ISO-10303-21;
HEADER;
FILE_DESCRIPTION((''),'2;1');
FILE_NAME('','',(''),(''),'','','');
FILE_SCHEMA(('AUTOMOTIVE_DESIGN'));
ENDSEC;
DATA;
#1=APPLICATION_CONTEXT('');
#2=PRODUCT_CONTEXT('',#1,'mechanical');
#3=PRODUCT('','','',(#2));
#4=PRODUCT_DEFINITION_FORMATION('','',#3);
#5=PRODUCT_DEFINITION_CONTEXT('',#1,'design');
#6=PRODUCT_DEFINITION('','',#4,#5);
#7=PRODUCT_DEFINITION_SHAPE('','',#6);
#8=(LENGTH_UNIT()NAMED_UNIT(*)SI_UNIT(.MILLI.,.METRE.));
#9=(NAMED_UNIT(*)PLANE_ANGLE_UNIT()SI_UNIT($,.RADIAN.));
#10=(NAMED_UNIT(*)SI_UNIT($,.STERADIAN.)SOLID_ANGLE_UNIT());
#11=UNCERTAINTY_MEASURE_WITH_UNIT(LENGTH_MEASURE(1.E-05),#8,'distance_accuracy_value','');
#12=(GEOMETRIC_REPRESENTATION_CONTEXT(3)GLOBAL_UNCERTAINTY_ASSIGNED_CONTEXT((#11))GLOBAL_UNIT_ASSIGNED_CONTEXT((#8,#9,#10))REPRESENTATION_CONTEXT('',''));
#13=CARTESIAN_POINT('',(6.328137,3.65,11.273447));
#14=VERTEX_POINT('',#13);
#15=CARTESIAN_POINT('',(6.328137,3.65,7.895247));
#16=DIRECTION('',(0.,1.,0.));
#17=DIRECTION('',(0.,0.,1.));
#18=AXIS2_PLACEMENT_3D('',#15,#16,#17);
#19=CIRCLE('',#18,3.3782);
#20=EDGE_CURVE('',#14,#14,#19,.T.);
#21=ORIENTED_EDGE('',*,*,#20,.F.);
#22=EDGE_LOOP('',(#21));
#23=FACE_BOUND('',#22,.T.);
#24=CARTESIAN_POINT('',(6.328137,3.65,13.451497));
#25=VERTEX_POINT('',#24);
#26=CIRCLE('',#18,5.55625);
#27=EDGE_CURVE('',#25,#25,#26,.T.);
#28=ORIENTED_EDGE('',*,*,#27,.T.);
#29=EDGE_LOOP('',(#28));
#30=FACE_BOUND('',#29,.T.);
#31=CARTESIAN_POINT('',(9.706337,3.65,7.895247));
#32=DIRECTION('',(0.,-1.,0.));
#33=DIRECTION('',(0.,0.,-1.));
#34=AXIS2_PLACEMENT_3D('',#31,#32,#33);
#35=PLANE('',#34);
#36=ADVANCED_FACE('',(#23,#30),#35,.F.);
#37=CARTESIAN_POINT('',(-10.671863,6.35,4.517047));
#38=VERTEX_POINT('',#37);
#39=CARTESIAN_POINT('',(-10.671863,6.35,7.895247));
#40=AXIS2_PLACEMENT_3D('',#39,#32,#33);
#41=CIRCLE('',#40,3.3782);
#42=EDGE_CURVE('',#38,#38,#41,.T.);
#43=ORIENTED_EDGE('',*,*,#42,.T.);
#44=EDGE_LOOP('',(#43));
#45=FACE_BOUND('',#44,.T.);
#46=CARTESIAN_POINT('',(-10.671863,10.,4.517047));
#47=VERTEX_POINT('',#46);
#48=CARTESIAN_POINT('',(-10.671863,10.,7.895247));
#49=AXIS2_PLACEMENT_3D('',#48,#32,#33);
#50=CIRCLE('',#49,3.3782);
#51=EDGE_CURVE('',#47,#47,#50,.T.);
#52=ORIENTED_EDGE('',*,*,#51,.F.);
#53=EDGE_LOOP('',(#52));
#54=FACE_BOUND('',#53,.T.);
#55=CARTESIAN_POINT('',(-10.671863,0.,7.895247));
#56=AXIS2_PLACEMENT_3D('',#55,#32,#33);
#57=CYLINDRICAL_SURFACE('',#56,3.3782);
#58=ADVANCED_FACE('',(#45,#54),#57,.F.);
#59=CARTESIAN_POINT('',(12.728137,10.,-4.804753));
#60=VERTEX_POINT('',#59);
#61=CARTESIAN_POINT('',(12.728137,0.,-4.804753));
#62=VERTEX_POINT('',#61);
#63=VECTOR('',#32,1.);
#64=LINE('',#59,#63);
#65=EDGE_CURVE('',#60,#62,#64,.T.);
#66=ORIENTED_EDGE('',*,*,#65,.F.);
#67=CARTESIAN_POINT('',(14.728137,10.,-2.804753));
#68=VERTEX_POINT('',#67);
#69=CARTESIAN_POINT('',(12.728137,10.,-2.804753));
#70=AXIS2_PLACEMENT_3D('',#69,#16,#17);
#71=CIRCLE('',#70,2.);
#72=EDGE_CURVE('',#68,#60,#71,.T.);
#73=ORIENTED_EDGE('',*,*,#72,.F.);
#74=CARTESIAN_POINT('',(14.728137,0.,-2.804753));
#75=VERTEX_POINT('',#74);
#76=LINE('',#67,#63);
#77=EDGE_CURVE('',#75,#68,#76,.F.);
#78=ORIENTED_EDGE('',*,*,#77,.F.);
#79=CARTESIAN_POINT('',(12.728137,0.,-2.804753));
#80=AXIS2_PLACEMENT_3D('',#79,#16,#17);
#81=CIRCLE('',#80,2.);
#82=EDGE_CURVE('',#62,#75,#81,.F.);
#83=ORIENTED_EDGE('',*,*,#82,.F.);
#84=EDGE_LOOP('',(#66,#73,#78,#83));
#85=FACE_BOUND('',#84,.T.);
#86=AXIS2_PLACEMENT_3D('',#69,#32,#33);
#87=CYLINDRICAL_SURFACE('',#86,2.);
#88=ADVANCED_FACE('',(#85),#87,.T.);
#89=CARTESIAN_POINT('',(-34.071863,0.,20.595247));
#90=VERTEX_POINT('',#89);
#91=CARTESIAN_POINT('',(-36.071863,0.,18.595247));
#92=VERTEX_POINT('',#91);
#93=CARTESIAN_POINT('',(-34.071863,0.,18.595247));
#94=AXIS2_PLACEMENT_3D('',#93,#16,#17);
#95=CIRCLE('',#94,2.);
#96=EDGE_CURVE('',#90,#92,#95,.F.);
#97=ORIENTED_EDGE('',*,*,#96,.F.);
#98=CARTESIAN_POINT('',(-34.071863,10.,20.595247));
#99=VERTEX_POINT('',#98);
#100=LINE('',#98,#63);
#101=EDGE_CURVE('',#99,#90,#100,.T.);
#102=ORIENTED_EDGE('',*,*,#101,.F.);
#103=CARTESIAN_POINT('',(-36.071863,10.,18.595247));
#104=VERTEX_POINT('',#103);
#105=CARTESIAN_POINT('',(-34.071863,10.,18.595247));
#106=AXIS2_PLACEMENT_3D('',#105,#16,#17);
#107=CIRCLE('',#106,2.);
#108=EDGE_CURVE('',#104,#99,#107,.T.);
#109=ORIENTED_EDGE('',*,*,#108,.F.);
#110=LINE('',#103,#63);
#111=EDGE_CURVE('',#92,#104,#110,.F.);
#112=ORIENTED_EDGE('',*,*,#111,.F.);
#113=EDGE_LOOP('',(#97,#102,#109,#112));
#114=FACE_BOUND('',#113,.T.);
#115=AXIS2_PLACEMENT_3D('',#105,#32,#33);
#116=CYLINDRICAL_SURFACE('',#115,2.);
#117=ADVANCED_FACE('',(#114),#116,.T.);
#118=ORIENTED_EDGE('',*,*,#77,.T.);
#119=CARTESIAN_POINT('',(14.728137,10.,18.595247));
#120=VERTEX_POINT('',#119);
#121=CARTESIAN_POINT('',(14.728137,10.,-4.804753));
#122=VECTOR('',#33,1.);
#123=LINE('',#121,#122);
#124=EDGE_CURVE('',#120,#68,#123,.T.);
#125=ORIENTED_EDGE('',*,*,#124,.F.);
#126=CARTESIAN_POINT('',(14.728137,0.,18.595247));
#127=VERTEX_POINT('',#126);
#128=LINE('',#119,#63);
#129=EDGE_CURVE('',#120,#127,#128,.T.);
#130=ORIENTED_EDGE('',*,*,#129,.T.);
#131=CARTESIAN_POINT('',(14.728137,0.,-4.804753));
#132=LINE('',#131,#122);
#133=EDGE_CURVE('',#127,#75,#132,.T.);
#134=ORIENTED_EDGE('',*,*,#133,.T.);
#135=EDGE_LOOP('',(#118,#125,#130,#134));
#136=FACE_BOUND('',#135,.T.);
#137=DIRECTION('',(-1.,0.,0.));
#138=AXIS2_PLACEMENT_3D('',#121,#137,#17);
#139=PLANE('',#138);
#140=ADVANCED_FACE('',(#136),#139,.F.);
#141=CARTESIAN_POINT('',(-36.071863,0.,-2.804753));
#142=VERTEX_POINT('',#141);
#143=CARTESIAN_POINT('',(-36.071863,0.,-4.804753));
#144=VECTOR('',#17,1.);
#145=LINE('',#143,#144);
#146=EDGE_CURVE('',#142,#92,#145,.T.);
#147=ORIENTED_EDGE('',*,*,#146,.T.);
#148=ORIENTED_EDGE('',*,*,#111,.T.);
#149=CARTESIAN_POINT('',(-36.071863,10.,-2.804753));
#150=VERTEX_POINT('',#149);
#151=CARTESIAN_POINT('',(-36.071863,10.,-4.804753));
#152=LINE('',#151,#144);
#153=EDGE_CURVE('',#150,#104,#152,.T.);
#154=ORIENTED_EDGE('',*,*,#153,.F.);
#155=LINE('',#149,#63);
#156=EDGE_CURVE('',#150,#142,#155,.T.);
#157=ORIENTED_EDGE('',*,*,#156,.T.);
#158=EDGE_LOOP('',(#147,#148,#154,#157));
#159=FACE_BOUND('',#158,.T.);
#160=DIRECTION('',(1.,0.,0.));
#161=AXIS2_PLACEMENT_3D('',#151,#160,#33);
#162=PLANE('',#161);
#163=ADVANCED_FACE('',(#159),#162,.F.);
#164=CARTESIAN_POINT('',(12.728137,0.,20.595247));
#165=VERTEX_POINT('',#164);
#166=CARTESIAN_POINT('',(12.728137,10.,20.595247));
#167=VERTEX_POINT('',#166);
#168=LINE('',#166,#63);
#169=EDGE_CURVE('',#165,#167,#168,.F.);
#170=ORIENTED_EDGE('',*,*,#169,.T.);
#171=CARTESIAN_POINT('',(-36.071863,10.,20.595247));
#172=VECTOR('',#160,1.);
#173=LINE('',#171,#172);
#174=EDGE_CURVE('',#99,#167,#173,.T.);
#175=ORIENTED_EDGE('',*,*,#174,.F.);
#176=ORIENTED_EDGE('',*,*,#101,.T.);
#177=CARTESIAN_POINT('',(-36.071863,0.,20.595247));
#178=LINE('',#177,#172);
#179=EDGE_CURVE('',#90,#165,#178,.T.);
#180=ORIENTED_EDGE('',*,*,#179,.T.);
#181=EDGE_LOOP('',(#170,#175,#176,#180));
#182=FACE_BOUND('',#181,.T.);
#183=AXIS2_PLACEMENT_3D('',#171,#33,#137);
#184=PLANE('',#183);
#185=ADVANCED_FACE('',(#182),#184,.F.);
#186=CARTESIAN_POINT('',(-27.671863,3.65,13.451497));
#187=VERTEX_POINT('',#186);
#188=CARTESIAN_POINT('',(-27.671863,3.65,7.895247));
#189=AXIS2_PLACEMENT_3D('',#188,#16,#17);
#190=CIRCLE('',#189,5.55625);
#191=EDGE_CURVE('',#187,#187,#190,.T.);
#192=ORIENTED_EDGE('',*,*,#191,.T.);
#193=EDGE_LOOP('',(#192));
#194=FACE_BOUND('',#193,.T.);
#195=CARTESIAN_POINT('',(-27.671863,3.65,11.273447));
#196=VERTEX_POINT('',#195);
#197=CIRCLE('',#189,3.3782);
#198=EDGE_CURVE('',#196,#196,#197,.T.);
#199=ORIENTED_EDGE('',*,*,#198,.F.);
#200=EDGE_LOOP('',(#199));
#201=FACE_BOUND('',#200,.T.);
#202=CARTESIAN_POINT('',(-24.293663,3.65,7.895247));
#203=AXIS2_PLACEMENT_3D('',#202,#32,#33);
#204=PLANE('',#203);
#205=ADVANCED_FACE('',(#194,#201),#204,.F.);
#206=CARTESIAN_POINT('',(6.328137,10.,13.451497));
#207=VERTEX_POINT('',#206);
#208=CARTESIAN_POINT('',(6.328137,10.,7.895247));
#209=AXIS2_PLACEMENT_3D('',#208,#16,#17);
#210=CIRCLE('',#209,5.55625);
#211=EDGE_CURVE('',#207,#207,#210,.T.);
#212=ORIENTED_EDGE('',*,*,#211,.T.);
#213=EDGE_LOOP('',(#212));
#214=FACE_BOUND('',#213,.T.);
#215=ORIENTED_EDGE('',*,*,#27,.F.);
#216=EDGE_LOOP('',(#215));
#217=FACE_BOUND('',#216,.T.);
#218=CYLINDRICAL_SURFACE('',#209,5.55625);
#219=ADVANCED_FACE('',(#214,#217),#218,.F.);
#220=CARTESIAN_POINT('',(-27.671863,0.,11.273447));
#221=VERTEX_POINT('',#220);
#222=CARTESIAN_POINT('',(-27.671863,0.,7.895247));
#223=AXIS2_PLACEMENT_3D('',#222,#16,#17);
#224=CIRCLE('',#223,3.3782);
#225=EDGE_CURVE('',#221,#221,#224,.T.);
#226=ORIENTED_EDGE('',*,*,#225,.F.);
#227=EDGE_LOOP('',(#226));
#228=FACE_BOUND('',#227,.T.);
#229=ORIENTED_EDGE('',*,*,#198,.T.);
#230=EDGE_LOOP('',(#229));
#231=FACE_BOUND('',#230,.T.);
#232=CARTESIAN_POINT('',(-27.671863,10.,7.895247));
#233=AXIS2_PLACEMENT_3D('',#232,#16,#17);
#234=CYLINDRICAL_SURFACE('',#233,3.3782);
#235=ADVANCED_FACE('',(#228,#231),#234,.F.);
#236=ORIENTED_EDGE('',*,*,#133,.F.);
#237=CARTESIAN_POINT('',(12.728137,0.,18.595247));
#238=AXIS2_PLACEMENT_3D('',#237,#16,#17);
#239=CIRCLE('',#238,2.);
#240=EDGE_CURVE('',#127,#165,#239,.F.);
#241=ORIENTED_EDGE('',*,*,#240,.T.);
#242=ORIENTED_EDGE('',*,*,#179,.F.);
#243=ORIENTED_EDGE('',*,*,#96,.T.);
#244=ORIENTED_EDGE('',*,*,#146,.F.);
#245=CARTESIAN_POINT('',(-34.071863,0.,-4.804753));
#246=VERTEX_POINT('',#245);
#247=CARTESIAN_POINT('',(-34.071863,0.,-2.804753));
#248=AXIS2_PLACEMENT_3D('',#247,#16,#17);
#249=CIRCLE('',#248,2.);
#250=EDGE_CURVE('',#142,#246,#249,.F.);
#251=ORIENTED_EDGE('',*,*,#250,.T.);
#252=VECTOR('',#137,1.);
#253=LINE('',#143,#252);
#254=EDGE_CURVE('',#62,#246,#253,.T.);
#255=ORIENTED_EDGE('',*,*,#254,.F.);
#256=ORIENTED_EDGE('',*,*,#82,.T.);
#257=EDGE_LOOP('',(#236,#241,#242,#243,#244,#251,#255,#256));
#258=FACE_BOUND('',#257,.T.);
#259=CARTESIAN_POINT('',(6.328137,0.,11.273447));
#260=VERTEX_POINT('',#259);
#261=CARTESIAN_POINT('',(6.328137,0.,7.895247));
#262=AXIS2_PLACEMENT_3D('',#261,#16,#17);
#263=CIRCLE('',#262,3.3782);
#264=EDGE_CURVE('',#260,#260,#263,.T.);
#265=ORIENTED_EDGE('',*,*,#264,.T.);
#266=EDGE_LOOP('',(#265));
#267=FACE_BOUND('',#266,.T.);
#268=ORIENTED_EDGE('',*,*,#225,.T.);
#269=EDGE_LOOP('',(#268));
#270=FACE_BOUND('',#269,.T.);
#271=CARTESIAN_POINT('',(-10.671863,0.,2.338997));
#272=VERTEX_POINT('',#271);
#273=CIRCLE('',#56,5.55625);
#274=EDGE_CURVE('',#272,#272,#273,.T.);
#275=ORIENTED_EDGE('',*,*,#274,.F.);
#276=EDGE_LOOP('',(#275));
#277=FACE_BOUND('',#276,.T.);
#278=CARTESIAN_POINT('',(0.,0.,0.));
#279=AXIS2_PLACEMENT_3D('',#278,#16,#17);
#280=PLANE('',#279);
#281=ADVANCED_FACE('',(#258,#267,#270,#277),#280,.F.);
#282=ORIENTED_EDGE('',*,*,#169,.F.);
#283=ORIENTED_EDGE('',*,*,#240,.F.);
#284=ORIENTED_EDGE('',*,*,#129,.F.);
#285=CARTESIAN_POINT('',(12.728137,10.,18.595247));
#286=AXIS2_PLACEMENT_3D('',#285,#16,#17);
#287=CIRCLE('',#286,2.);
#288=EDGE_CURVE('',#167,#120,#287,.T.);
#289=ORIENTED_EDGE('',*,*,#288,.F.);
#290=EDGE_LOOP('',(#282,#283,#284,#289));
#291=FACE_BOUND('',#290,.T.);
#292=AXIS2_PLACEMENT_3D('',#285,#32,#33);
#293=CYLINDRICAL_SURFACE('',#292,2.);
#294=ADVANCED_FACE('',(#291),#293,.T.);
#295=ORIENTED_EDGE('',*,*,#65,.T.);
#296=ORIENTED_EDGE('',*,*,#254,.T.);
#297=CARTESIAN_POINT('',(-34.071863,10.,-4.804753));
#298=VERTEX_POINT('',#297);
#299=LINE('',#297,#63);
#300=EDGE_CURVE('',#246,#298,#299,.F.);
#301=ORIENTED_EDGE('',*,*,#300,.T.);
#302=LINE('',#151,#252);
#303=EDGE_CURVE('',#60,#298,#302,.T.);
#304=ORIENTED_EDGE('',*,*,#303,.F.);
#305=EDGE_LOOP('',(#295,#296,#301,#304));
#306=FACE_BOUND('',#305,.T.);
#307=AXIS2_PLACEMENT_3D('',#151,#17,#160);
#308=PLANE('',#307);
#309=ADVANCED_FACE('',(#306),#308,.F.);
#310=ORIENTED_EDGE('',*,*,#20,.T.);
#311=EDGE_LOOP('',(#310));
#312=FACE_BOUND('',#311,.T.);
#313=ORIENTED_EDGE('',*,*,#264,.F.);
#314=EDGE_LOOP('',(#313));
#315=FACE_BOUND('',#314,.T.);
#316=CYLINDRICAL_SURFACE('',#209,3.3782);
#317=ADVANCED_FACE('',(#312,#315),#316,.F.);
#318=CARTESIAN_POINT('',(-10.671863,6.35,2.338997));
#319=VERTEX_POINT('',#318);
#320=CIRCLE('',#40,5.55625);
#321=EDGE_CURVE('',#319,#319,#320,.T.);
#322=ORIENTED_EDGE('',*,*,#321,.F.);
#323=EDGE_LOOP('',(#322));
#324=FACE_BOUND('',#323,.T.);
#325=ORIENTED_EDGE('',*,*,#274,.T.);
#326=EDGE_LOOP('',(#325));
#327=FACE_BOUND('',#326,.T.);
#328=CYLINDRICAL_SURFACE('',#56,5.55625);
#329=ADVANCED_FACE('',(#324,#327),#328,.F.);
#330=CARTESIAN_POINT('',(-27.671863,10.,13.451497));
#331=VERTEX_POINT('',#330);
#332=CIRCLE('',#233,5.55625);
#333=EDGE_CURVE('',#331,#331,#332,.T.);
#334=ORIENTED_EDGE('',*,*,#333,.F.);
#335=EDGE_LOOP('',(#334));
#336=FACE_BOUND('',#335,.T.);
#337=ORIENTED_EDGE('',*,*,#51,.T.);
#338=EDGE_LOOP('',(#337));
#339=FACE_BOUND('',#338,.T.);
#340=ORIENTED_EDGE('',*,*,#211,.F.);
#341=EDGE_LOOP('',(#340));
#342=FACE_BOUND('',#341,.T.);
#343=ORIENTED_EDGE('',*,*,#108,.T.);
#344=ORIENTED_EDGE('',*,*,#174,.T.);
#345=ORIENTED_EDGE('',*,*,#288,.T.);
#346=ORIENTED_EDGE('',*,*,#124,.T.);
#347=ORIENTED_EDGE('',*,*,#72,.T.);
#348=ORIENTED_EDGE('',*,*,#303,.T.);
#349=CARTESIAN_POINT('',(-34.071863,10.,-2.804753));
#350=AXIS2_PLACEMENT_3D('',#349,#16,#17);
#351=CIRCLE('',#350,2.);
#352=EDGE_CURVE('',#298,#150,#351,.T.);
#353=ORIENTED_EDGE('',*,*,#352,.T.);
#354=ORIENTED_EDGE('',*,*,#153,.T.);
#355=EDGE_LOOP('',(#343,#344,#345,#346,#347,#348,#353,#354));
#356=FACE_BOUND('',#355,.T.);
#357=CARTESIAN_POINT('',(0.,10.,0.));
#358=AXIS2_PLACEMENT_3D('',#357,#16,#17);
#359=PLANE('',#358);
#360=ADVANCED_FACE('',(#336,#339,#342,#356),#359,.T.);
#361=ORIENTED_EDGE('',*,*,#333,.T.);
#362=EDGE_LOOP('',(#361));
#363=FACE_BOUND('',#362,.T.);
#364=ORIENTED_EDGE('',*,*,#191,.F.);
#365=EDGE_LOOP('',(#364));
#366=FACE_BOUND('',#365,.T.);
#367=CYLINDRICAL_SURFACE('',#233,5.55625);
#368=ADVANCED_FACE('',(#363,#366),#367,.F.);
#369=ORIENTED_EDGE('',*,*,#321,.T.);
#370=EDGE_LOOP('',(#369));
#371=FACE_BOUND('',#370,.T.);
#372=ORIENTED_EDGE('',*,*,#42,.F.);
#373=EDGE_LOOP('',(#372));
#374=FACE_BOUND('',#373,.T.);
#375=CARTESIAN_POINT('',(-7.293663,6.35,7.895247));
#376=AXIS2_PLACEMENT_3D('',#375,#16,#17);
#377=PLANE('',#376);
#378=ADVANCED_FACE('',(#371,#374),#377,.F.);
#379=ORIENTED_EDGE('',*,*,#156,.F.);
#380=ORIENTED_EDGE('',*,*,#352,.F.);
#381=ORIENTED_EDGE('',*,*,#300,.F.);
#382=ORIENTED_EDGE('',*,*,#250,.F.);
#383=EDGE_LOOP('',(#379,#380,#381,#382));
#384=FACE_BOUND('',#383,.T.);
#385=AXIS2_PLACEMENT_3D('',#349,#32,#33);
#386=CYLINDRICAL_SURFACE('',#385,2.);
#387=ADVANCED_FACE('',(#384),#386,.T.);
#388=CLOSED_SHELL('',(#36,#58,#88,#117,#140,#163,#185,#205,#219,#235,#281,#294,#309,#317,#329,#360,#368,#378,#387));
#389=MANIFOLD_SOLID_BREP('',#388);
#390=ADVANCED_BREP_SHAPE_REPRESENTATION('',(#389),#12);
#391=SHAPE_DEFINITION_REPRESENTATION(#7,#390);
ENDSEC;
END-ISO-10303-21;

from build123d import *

# Parameters (mm, degrees)
SKETCH1_W                                        = 50.8
SKETCH1_H                                        = 25.4
BOSS_EXTRUDE1_DEPTH                              = 10
CBORE_FOR_1_4_SOCKET_HEAD_CAP_SCREW2_D           = 6.7564
CBORE_FOR_1_4_SOCKET_HEAD_CAP_SCREW2_CBORE_D     = 11.1125
CBORE_FOR_1_4_SOCKET_HEAD_CAP_SCREW2_CBORE_DEPTH = 6.35
CBORE_FOR_1_4_SOCKET_HEAD_CAP_SCREW3_D           = 6.7564
CBORE_FOR_1_4_SOCKET_HEAD_CAP_SCREW3_CBORE_D     = 11.1125
CBORE_FOR_1_4_SOCKET_HEAD_CAP_SCREW3_CBORE_DEPTH = 6.35
FILLET2_R                                        = 2


with BuildPart() as part:
    # Sketch1 → Boss-Extrude1 (new body)
    with BuildSketch(Plane(origin=(0, 0, 0), x_dir=(1, 0, 0), z_dir=(0, 1, 0))):
        with Locations((-10.671863118, -7.895247148)):
            Rectangle(SKETCH1_W, SKETCH1_H)
    extrude(amount=BOSS_EXTRUDE1_DEPTH)

    # CBORE for 1/4 Socket Head Cap Screw2 (through all)
    with Locations(Plane(origin=(0, 10, 0), x_dir=(1, 0, 0), z_dir=(0, 1, 0))):
        with Locations((-27.671863118, -7.895247148), (6.328136882, -7.895247148)):
            CounterBoreHole(CBORE_FOR_1_4_SOCKET_HEAD_CAP_SCREW2_D / 2, CBORE_FOR_1_4_SOCKET_HEAD_CAP_SCREW2_CBORE_D / 2, CBORE_FOR_1_4_SOCKET_HEAD_CAP_SCREW2_CBORE_DEPTH)

    # CBORE for 1/4 Socket Head Cap Screw3 (through all)
    with Locations(Plane(origin=(0, 0, 0), x_dir=(-1, 0, 0), z_dir=(0, -1, 0))):
        with Locations((10.671863118, -7.895247148)):
            CounterBoreHole(CBORE_FOR_1_4_SOCKET_HEAD_CAP_SCREW3_D / 2, CBORE_FOR_1_4_SOCKET_HEAD_CAP_SCREW3_CBORE_D / 2, CBORE_FOR_1_4_SOCKET_HEAD_CAP_SCREW3_CBORE_DEPTH)

    # Fillet2
    fillet2_edges = [part.edges().sort_by_distance(p)[0] for p in [
        (-36.071863118, 5, -4.804752852),
        (14.728136882, 5, -4.804752852),
        (14.728136882, 5, 20.595247148),
        (-36.071863118, 5, 20.595247148),
    ]]
    fillet(fillet2_edges, radius=FILLET2_R)


solid = part.part
